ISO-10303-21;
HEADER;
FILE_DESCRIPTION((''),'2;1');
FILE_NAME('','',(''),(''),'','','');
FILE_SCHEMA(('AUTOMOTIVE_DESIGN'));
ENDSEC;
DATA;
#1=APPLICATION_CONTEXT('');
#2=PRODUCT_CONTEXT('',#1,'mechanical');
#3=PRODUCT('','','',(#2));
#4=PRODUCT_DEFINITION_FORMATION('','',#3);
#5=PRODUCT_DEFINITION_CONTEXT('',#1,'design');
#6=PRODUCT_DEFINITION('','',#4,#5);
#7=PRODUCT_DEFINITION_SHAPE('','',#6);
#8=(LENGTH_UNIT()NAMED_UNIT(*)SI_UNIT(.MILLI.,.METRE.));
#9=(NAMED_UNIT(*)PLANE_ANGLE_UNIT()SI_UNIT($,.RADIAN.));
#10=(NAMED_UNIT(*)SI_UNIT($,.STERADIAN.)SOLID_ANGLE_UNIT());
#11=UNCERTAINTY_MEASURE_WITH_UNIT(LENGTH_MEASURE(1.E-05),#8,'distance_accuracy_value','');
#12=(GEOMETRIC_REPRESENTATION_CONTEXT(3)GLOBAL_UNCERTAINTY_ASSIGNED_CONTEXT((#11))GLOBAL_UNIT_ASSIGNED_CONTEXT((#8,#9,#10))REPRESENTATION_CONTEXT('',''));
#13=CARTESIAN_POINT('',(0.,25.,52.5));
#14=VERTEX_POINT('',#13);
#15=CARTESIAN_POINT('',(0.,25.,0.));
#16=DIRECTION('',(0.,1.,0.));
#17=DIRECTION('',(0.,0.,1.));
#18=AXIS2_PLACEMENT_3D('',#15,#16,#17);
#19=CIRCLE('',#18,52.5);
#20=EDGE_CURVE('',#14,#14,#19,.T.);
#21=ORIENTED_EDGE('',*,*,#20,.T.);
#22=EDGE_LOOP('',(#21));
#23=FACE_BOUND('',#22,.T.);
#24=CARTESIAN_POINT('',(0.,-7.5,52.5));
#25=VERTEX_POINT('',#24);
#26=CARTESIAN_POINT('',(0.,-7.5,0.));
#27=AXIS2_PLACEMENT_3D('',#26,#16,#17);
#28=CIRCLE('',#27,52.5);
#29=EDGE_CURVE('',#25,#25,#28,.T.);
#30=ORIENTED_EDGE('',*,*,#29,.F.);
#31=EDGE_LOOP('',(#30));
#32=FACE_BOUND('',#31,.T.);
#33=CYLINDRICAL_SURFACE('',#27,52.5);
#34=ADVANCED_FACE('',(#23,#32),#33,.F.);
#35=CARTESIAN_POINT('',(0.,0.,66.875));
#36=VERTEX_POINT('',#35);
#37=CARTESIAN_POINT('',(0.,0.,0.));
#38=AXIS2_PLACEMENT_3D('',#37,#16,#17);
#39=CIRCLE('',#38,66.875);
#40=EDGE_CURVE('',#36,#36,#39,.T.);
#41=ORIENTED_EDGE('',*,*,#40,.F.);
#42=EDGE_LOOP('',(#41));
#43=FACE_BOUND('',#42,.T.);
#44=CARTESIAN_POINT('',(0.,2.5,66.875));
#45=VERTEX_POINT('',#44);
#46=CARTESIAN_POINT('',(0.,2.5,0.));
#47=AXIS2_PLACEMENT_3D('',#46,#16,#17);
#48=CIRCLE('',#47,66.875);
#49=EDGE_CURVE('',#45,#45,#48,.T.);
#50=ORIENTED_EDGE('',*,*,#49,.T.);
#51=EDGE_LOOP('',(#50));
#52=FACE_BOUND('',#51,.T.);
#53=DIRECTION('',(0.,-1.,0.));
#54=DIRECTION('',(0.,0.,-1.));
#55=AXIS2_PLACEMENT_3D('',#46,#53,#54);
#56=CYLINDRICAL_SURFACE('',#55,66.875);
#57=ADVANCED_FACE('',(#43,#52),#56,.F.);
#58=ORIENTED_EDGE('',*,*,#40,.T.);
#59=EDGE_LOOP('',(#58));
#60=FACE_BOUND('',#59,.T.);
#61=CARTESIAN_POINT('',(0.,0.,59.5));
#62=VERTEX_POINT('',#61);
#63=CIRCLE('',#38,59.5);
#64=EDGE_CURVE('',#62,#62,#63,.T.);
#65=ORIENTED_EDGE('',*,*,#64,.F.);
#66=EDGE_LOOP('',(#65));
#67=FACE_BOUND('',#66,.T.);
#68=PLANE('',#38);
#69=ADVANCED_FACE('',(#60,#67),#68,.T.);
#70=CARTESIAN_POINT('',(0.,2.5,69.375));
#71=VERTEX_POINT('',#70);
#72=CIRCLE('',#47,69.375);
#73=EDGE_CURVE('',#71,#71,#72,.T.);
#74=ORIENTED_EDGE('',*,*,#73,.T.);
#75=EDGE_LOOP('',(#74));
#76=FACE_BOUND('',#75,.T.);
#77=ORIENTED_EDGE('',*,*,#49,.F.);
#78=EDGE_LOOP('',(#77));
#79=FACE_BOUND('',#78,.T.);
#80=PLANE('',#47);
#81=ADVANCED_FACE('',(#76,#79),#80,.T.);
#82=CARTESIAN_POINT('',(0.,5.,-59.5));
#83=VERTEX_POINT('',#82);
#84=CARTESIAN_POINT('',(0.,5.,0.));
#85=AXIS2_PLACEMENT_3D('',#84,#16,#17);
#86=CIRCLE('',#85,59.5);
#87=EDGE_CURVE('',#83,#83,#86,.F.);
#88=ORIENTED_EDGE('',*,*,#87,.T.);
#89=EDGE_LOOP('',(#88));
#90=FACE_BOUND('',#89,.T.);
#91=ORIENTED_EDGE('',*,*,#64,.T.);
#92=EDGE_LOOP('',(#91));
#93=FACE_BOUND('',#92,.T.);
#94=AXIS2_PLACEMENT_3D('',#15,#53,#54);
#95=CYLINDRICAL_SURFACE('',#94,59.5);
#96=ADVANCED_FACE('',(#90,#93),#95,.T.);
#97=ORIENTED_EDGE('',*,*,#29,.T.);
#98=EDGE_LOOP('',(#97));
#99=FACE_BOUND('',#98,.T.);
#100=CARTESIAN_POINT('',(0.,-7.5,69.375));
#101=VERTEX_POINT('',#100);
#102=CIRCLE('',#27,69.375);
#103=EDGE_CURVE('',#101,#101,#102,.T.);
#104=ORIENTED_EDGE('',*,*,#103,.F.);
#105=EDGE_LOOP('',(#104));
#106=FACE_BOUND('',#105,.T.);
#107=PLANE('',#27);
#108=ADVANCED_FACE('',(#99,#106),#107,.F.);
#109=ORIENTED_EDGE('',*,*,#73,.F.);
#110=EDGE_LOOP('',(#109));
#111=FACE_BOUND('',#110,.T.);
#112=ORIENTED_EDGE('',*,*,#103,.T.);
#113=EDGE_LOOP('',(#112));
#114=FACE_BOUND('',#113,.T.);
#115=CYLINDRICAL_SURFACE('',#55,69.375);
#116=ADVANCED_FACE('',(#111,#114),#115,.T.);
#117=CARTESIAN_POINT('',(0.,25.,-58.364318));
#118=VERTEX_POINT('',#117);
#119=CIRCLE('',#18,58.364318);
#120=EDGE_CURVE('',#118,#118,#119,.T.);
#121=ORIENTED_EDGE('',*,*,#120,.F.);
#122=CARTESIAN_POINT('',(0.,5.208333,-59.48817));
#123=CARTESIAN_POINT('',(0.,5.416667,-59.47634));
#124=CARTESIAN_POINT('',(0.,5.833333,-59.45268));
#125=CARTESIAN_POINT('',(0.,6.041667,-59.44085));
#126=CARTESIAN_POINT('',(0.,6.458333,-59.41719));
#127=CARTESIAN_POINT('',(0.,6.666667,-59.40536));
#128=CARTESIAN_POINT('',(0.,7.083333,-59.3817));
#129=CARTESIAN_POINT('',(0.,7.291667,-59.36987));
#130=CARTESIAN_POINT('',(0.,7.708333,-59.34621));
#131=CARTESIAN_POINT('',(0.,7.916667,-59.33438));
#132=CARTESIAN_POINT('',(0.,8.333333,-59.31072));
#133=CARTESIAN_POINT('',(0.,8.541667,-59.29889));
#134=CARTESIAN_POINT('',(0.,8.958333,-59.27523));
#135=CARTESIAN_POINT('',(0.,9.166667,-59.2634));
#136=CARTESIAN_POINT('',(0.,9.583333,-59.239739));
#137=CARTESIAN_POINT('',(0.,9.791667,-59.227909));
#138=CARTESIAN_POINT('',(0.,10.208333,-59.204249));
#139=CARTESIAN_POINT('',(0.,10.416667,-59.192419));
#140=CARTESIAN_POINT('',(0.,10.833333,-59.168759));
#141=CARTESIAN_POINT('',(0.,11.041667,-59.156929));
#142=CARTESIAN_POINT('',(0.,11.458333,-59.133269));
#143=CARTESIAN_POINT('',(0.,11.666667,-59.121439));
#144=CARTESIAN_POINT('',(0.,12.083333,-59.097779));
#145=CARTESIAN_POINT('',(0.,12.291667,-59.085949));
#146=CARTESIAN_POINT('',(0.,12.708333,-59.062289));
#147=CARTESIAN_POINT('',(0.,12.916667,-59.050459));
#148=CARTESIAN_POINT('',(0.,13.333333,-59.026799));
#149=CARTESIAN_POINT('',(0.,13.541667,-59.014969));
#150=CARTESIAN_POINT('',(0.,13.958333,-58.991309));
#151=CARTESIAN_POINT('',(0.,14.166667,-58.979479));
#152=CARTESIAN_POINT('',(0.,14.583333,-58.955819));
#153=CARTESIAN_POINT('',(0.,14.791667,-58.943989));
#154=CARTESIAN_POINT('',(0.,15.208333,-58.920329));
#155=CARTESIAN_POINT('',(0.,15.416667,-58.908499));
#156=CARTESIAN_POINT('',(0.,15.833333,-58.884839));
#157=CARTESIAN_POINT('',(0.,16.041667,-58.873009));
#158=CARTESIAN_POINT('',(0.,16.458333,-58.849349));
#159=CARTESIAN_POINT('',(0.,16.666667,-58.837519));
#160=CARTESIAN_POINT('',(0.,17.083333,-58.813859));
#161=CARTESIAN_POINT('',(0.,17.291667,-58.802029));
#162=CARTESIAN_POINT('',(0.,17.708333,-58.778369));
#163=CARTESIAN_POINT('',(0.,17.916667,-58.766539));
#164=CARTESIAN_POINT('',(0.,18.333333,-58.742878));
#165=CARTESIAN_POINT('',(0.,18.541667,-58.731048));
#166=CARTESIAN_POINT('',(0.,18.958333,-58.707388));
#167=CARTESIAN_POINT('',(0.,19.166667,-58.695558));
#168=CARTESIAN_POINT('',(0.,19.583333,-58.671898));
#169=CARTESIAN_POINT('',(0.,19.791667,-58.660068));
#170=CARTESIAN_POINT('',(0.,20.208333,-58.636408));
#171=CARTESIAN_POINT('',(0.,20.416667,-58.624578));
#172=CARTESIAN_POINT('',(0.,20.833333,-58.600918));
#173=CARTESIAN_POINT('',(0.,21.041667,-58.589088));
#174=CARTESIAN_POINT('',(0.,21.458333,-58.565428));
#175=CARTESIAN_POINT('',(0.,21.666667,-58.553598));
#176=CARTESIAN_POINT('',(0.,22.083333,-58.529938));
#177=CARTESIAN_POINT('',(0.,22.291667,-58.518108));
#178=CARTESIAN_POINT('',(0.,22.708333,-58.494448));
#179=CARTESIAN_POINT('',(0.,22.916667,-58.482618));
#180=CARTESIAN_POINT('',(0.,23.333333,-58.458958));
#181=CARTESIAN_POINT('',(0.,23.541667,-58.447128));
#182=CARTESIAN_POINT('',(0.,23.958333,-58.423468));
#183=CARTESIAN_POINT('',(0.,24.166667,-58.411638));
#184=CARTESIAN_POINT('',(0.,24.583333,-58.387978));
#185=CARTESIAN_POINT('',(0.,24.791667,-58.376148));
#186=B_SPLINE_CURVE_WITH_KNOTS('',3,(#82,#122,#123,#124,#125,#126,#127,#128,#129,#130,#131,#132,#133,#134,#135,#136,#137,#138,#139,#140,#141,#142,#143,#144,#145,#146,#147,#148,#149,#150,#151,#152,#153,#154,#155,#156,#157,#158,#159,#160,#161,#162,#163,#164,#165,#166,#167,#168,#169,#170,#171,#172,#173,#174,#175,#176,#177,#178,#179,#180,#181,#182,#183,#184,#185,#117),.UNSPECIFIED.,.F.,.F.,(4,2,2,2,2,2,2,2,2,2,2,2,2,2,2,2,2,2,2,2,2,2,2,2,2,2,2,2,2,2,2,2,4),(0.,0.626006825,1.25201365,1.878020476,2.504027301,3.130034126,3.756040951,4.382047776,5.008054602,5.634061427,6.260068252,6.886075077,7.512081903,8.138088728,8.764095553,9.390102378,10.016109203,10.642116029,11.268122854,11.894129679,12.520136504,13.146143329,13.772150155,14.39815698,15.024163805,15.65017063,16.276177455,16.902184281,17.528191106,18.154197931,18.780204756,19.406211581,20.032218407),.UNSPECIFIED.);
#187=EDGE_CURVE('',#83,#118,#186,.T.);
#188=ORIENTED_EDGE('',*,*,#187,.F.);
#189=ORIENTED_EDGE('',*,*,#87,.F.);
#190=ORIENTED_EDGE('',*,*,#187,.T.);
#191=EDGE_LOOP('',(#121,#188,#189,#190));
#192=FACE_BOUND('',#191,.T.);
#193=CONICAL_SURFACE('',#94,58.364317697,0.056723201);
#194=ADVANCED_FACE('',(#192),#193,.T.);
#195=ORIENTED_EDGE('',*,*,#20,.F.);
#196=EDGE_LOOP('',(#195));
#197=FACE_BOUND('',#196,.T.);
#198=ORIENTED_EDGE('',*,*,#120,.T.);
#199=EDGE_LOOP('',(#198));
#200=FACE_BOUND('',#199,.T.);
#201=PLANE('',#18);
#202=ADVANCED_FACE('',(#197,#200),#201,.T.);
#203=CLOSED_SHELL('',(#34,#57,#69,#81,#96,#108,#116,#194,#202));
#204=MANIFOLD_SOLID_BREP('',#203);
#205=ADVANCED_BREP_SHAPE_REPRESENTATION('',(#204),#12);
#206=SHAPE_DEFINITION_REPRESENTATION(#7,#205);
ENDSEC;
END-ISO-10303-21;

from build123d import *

# Parameters (mm, degrees)
SKETCH1_R               = 69.375
SKETCH1_R_2             = 66.875
BOSS_EXTRUDE1_DEPTH     = 2.5
BOSS_EXTRUDE2_START     = -7.5
SKETCH2_R               = 69.375
BOSS_EXTRUDE2_DEPTH     = 7.5
SKETCH3_R               = 59.5
BOSS_EXTRUDE3_DEPTH     = 25
CHAMFER1_SIZE           = 20
CHAMFER1_SIZE2          = 1.135682303
CUT_EXTRUDE1_DEPTH      = 104.353912601
CUT_EXTRUDE1_DEPTH_BACK = 104.353912601
SKETCH4_R               = 52.5


with BuildPart() as part:
    # Sketch1 → Boss-Extrude1 (new body)
    with BuildSketch(Plane(origin=(0, 0, 0), x_dir=(1, 0, 0), z_dir=(0, 1, 0))):
        with Locations(Location((0, 0, 0), (0, 0, 270))):
            Circle(SKETCH1_R)
        with Locations(Location((0, 0, 0), (0, 0, 270))):
            Circle(SKETCH1_R_2, mode=Mode.SUBTRACT)
    extrude(amount=BOSS_EXTRUDE1_DEPTH)

    # Sketch2 → Boss-Extrude2 (add)
    with BuildSketch(Plane(origin=(0, 0, 0), x_dir=(1, 0, 0), z_dir=(0, 1, 0)).offset(BOSS_EXTRUDE2_START)):
        with Locations(Location((0, 0, 0), (0, 0, 270))):
            Circle(SKETCH2_R)
    extrude(amount=BOSS_EXTRUDE2_DEPTH)

    # Sketch3 → Boss-Extrude3 (add)
    with BuildSketch(Plane(origin=(0, 0, 0), x_dir=(1, 0, 0), z_dir=(0, 1, 0))):
        with Locations(Location((0, 0, 0), (0, 0, 270))):
            Circle(SKETCH3_R)
    extrude(amount=BOSS_EXTRUDE3_DEPTH)

    # Chamfer1
    chamfer1_edges = [part.edges().sort_by_distance(p)[0] for p in [
        (0, 25, -59.5),
    ]]
    chamfer1_side = [part.faces().sort_by_distance(p)[0] for p in [
        (0, 12.5, -59.5),
    ]]
    chamfer(chamfer1_edges, length=CHAMFER1_SIZE, length2=CHAMFER1_SIZE2, reference=chamfer1_side[0])

    # Sketch4 → Cut-Extrude1 (cut, two sides: drawn at the far end of the back side and taken through both)
    with BuildSketch(Plane(origin=(0, 25, 0), x_dir=(1, 0, 0), z_dir=(0, 1, 0)).offset(-CUT_EXTRUDE1_DEPTH_BACK)):
        with Locations(Location((0, 0, 0), (0, 0, 270))):
            Circle(SKETCH4_R)
    extrude(amount=CUT_EXTRUDE1_DEPTH + CUT_EXTRUDE1_DEPTH_BACK, mode=Mode.SUBTRACT)


solid = part.part
